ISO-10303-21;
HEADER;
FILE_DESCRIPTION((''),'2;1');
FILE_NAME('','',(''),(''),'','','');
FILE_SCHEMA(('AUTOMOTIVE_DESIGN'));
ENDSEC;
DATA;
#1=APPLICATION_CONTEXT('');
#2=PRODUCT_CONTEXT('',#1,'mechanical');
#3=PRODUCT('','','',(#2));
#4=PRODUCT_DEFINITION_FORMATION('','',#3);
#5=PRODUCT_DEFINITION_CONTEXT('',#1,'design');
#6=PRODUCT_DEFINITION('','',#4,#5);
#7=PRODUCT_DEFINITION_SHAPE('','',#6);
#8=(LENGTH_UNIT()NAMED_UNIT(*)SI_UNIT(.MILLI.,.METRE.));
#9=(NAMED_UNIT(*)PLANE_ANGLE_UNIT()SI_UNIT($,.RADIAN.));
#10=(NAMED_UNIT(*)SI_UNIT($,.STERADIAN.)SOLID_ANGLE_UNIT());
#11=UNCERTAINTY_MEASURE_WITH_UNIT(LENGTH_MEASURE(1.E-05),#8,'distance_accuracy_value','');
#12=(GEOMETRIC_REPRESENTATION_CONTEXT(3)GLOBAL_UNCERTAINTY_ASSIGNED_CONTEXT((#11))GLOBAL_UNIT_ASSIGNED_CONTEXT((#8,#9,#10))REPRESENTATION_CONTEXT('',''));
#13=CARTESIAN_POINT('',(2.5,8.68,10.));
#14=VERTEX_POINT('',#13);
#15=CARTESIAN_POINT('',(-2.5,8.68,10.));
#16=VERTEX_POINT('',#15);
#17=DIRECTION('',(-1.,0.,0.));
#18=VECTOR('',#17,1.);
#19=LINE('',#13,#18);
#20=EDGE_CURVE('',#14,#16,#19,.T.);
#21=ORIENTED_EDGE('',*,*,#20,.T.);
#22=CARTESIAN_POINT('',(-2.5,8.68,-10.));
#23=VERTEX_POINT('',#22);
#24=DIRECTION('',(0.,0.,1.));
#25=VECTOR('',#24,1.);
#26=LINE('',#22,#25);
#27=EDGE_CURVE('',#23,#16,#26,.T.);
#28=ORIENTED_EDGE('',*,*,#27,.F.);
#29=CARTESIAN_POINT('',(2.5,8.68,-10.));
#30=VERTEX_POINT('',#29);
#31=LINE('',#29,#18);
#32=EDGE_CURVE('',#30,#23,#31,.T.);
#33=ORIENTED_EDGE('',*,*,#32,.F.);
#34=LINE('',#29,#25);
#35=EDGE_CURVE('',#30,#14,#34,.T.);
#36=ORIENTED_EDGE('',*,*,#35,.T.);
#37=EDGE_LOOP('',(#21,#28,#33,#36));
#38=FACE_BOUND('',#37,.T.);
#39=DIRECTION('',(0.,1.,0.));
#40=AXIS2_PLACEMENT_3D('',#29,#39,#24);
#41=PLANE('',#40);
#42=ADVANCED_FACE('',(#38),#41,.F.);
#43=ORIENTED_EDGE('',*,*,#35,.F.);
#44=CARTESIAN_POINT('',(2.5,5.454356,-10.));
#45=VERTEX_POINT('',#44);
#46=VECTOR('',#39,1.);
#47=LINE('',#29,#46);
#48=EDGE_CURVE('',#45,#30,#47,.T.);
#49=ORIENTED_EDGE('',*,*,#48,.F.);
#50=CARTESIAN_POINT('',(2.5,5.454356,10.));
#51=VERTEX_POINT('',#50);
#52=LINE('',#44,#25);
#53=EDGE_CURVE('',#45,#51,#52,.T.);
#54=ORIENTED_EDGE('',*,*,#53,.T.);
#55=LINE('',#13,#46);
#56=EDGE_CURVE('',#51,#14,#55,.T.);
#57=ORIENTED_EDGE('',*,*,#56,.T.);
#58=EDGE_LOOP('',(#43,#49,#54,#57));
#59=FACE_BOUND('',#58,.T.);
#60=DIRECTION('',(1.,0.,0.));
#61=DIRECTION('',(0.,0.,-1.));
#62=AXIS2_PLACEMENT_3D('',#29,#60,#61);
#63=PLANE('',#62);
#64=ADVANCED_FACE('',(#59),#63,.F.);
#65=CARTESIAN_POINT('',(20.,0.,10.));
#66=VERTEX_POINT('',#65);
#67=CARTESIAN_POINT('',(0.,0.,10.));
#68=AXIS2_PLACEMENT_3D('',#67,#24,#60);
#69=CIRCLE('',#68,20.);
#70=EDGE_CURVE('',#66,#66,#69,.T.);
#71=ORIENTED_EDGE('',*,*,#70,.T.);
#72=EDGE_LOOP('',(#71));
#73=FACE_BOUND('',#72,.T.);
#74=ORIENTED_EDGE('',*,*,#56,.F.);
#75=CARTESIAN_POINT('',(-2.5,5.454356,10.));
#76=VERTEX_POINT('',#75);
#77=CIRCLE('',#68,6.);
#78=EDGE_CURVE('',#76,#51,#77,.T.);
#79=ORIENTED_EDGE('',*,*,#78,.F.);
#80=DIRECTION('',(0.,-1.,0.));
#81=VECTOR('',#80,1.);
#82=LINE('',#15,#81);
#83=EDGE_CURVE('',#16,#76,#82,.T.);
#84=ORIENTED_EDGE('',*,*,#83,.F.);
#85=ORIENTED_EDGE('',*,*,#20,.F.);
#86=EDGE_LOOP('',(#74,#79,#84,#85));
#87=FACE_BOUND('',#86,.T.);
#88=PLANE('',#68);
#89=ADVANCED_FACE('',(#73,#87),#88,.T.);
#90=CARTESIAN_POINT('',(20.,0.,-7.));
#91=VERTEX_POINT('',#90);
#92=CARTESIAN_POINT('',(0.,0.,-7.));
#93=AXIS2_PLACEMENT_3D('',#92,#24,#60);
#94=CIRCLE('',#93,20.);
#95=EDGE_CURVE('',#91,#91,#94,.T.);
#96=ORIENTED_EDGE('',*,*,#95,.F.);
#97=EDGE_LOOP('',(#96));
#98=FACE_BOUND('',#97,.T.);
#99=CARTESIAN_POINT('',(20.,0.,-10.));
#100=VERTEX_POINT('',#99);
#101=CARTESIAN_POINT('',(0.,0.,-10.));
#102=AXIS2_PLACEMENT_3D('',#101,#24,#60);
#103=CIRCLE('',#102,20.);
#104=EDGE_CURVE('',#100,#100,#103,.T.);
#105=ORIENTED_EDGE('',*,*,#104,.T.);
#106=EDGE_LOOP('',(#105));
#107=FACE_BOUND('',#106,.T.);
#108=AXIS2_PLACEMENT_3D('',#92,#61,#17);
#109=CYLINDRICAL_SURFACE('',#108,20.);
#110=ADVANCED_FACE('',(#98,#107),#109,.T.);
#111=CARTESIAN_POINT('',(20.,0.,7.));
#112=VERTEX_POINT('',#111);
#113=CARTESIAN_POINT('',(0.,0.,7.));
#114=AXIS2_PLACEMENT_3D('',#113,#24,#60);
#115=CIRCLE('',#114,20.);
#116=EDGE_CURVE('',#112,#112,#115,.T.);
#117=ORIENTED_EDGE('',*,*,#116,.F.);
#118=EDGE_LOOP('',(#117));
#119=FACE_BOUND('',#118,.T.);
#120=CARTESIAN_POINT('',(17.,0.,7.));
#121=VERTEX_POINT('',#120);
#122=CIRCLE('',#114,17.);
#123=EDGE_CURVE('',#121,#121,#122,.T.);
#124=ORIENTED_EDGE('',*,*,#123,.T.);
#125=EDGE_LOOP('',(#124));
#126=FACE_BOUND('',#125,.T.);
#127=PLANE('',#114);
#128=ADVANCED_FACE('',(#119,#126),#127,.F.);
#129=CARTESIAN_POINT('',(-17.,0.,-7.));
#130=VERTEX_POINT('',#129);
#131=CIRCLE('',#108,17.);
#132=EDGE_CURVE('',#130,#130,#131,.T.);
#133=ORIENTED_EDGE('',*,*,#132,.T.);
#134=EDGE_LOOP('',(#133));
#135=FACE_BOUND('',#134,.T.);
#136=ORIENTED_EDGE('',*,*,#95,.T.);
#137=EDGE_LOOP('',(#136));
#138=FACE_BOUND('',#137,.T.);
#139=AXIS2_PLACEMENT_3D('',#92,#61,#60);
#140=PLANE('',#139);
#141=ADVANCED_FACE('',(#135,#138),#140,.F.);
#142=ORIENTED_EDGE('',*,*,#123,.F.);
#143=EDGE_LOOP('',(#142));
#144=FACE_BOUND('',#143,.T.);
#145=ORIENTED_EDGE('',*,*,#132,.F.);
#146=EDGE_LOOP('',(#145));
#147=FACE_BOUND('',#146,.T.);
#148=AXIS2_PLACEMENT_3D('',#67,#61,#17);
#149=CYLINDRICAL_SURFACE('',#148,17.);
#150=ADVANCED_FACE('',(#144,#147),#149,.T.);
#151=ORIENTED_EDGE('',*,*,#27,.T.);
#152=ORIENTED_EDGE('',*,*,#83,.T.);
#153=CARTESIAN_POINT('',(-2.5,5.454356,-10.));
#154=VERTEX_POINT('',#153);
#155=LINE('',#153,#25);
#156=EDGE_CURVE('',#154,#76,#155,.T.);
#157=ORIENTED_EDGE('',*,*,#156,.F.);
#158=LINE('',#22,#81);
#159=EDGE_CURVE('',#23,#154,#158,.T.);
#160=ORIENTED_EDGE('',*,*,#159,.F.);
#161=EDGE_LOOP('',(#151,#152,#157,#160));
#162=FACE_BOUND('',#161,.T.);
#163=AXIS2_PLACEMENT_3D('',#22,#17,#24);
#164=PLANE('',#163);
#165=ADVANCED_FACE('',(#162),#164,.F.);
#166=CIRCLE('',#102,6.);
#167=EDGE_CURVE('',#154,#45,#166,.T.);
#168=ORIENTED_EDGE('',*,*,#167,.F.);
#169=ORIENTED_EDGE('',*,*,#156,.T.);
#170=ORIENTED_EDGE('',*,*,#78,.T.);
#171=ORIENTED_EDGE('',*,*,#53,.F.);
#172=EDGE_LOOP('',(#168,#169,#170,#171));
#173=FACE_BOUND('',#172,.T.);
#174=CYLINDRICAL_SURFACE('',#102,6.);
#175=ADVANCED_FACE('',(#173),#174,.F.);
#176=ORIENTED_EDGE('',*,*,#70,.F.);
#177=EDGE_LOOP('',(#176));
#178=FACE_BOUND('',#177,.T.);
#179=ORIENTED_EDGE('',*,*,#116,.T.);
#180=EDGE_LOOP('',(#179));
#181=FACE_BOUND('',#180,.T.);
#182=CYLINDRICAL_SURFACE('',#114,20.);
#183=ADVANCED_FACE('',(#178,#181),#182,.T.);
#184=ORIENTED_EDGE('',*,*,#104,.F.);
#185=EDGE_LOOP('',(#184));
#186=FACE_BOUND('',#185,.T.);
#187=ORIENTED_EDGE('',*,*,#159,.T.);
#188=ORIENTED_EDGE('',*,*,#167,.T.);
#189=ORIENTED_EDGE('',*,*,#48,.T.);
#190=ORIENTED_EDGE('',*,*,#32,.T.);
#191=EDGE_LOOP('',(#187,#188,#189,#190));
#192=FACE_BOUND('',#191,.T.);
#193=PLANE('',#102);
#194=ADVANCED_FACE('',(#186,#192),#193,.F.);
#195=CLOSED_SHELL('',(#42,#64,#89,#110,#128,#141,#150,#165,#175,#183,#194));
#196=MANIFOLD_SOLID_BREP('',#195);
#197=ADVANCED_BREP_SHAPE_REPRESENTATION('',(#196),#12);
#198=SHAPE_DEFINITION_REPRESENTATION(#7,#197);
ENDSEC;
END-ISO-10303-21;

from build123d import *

# Parameters (mm, degrees)
SKETCH_1_R          = 17
EXTRUDE_1_DEPTH     = 10
SKETCH_2_R          = 20
EXTRUDE_2_DEPTH     = 3
CUT_EXTRUDE_1_DEPTH = 35.641016151


with BuildPart() as part:
    # 草图1 → 凸台-拉伸1 (new, symmetric)
    with BuildSketch(Plane.XY):
        Circle(SKETCH_1_R)
    extrude(amount=EXTRUDE_1_DEPTH, both=True)

    # 草图2 → 凸台-拉伸2 (add)
    with BuildSketch(Plane.XY.offset(10)):
        Circle(SKETCH_2_R)
    extrude_2 = extrude(amount=-EXTRUDE_2_DEPTH)

    # 镜向1: 凸台-拉伸2 across plane
    add(extrude_2.mirror(Plane.XY))

    # 草图3 → 切除-拉伸1 (cut, through all)
    with BuildSketch(Plane.XY.offset(10)):
        with BuildLine():
            Line((2.5, 8.68), (-2.5, 8.68))
            Line((-2.5, 8.68), (-2.5, 5.454356057))
            ThreePointArc((-2.5, 5.454356057), (0, -6), (2.5, 5.454356057))
            Line((2.5, 5.454356057), (2.5, 8.68))
        make_face()
    extrude(amount=-CUT_EXTRUDE_1_DEPTH, mode=Mode.SUBTRACT)


solid = part.part
